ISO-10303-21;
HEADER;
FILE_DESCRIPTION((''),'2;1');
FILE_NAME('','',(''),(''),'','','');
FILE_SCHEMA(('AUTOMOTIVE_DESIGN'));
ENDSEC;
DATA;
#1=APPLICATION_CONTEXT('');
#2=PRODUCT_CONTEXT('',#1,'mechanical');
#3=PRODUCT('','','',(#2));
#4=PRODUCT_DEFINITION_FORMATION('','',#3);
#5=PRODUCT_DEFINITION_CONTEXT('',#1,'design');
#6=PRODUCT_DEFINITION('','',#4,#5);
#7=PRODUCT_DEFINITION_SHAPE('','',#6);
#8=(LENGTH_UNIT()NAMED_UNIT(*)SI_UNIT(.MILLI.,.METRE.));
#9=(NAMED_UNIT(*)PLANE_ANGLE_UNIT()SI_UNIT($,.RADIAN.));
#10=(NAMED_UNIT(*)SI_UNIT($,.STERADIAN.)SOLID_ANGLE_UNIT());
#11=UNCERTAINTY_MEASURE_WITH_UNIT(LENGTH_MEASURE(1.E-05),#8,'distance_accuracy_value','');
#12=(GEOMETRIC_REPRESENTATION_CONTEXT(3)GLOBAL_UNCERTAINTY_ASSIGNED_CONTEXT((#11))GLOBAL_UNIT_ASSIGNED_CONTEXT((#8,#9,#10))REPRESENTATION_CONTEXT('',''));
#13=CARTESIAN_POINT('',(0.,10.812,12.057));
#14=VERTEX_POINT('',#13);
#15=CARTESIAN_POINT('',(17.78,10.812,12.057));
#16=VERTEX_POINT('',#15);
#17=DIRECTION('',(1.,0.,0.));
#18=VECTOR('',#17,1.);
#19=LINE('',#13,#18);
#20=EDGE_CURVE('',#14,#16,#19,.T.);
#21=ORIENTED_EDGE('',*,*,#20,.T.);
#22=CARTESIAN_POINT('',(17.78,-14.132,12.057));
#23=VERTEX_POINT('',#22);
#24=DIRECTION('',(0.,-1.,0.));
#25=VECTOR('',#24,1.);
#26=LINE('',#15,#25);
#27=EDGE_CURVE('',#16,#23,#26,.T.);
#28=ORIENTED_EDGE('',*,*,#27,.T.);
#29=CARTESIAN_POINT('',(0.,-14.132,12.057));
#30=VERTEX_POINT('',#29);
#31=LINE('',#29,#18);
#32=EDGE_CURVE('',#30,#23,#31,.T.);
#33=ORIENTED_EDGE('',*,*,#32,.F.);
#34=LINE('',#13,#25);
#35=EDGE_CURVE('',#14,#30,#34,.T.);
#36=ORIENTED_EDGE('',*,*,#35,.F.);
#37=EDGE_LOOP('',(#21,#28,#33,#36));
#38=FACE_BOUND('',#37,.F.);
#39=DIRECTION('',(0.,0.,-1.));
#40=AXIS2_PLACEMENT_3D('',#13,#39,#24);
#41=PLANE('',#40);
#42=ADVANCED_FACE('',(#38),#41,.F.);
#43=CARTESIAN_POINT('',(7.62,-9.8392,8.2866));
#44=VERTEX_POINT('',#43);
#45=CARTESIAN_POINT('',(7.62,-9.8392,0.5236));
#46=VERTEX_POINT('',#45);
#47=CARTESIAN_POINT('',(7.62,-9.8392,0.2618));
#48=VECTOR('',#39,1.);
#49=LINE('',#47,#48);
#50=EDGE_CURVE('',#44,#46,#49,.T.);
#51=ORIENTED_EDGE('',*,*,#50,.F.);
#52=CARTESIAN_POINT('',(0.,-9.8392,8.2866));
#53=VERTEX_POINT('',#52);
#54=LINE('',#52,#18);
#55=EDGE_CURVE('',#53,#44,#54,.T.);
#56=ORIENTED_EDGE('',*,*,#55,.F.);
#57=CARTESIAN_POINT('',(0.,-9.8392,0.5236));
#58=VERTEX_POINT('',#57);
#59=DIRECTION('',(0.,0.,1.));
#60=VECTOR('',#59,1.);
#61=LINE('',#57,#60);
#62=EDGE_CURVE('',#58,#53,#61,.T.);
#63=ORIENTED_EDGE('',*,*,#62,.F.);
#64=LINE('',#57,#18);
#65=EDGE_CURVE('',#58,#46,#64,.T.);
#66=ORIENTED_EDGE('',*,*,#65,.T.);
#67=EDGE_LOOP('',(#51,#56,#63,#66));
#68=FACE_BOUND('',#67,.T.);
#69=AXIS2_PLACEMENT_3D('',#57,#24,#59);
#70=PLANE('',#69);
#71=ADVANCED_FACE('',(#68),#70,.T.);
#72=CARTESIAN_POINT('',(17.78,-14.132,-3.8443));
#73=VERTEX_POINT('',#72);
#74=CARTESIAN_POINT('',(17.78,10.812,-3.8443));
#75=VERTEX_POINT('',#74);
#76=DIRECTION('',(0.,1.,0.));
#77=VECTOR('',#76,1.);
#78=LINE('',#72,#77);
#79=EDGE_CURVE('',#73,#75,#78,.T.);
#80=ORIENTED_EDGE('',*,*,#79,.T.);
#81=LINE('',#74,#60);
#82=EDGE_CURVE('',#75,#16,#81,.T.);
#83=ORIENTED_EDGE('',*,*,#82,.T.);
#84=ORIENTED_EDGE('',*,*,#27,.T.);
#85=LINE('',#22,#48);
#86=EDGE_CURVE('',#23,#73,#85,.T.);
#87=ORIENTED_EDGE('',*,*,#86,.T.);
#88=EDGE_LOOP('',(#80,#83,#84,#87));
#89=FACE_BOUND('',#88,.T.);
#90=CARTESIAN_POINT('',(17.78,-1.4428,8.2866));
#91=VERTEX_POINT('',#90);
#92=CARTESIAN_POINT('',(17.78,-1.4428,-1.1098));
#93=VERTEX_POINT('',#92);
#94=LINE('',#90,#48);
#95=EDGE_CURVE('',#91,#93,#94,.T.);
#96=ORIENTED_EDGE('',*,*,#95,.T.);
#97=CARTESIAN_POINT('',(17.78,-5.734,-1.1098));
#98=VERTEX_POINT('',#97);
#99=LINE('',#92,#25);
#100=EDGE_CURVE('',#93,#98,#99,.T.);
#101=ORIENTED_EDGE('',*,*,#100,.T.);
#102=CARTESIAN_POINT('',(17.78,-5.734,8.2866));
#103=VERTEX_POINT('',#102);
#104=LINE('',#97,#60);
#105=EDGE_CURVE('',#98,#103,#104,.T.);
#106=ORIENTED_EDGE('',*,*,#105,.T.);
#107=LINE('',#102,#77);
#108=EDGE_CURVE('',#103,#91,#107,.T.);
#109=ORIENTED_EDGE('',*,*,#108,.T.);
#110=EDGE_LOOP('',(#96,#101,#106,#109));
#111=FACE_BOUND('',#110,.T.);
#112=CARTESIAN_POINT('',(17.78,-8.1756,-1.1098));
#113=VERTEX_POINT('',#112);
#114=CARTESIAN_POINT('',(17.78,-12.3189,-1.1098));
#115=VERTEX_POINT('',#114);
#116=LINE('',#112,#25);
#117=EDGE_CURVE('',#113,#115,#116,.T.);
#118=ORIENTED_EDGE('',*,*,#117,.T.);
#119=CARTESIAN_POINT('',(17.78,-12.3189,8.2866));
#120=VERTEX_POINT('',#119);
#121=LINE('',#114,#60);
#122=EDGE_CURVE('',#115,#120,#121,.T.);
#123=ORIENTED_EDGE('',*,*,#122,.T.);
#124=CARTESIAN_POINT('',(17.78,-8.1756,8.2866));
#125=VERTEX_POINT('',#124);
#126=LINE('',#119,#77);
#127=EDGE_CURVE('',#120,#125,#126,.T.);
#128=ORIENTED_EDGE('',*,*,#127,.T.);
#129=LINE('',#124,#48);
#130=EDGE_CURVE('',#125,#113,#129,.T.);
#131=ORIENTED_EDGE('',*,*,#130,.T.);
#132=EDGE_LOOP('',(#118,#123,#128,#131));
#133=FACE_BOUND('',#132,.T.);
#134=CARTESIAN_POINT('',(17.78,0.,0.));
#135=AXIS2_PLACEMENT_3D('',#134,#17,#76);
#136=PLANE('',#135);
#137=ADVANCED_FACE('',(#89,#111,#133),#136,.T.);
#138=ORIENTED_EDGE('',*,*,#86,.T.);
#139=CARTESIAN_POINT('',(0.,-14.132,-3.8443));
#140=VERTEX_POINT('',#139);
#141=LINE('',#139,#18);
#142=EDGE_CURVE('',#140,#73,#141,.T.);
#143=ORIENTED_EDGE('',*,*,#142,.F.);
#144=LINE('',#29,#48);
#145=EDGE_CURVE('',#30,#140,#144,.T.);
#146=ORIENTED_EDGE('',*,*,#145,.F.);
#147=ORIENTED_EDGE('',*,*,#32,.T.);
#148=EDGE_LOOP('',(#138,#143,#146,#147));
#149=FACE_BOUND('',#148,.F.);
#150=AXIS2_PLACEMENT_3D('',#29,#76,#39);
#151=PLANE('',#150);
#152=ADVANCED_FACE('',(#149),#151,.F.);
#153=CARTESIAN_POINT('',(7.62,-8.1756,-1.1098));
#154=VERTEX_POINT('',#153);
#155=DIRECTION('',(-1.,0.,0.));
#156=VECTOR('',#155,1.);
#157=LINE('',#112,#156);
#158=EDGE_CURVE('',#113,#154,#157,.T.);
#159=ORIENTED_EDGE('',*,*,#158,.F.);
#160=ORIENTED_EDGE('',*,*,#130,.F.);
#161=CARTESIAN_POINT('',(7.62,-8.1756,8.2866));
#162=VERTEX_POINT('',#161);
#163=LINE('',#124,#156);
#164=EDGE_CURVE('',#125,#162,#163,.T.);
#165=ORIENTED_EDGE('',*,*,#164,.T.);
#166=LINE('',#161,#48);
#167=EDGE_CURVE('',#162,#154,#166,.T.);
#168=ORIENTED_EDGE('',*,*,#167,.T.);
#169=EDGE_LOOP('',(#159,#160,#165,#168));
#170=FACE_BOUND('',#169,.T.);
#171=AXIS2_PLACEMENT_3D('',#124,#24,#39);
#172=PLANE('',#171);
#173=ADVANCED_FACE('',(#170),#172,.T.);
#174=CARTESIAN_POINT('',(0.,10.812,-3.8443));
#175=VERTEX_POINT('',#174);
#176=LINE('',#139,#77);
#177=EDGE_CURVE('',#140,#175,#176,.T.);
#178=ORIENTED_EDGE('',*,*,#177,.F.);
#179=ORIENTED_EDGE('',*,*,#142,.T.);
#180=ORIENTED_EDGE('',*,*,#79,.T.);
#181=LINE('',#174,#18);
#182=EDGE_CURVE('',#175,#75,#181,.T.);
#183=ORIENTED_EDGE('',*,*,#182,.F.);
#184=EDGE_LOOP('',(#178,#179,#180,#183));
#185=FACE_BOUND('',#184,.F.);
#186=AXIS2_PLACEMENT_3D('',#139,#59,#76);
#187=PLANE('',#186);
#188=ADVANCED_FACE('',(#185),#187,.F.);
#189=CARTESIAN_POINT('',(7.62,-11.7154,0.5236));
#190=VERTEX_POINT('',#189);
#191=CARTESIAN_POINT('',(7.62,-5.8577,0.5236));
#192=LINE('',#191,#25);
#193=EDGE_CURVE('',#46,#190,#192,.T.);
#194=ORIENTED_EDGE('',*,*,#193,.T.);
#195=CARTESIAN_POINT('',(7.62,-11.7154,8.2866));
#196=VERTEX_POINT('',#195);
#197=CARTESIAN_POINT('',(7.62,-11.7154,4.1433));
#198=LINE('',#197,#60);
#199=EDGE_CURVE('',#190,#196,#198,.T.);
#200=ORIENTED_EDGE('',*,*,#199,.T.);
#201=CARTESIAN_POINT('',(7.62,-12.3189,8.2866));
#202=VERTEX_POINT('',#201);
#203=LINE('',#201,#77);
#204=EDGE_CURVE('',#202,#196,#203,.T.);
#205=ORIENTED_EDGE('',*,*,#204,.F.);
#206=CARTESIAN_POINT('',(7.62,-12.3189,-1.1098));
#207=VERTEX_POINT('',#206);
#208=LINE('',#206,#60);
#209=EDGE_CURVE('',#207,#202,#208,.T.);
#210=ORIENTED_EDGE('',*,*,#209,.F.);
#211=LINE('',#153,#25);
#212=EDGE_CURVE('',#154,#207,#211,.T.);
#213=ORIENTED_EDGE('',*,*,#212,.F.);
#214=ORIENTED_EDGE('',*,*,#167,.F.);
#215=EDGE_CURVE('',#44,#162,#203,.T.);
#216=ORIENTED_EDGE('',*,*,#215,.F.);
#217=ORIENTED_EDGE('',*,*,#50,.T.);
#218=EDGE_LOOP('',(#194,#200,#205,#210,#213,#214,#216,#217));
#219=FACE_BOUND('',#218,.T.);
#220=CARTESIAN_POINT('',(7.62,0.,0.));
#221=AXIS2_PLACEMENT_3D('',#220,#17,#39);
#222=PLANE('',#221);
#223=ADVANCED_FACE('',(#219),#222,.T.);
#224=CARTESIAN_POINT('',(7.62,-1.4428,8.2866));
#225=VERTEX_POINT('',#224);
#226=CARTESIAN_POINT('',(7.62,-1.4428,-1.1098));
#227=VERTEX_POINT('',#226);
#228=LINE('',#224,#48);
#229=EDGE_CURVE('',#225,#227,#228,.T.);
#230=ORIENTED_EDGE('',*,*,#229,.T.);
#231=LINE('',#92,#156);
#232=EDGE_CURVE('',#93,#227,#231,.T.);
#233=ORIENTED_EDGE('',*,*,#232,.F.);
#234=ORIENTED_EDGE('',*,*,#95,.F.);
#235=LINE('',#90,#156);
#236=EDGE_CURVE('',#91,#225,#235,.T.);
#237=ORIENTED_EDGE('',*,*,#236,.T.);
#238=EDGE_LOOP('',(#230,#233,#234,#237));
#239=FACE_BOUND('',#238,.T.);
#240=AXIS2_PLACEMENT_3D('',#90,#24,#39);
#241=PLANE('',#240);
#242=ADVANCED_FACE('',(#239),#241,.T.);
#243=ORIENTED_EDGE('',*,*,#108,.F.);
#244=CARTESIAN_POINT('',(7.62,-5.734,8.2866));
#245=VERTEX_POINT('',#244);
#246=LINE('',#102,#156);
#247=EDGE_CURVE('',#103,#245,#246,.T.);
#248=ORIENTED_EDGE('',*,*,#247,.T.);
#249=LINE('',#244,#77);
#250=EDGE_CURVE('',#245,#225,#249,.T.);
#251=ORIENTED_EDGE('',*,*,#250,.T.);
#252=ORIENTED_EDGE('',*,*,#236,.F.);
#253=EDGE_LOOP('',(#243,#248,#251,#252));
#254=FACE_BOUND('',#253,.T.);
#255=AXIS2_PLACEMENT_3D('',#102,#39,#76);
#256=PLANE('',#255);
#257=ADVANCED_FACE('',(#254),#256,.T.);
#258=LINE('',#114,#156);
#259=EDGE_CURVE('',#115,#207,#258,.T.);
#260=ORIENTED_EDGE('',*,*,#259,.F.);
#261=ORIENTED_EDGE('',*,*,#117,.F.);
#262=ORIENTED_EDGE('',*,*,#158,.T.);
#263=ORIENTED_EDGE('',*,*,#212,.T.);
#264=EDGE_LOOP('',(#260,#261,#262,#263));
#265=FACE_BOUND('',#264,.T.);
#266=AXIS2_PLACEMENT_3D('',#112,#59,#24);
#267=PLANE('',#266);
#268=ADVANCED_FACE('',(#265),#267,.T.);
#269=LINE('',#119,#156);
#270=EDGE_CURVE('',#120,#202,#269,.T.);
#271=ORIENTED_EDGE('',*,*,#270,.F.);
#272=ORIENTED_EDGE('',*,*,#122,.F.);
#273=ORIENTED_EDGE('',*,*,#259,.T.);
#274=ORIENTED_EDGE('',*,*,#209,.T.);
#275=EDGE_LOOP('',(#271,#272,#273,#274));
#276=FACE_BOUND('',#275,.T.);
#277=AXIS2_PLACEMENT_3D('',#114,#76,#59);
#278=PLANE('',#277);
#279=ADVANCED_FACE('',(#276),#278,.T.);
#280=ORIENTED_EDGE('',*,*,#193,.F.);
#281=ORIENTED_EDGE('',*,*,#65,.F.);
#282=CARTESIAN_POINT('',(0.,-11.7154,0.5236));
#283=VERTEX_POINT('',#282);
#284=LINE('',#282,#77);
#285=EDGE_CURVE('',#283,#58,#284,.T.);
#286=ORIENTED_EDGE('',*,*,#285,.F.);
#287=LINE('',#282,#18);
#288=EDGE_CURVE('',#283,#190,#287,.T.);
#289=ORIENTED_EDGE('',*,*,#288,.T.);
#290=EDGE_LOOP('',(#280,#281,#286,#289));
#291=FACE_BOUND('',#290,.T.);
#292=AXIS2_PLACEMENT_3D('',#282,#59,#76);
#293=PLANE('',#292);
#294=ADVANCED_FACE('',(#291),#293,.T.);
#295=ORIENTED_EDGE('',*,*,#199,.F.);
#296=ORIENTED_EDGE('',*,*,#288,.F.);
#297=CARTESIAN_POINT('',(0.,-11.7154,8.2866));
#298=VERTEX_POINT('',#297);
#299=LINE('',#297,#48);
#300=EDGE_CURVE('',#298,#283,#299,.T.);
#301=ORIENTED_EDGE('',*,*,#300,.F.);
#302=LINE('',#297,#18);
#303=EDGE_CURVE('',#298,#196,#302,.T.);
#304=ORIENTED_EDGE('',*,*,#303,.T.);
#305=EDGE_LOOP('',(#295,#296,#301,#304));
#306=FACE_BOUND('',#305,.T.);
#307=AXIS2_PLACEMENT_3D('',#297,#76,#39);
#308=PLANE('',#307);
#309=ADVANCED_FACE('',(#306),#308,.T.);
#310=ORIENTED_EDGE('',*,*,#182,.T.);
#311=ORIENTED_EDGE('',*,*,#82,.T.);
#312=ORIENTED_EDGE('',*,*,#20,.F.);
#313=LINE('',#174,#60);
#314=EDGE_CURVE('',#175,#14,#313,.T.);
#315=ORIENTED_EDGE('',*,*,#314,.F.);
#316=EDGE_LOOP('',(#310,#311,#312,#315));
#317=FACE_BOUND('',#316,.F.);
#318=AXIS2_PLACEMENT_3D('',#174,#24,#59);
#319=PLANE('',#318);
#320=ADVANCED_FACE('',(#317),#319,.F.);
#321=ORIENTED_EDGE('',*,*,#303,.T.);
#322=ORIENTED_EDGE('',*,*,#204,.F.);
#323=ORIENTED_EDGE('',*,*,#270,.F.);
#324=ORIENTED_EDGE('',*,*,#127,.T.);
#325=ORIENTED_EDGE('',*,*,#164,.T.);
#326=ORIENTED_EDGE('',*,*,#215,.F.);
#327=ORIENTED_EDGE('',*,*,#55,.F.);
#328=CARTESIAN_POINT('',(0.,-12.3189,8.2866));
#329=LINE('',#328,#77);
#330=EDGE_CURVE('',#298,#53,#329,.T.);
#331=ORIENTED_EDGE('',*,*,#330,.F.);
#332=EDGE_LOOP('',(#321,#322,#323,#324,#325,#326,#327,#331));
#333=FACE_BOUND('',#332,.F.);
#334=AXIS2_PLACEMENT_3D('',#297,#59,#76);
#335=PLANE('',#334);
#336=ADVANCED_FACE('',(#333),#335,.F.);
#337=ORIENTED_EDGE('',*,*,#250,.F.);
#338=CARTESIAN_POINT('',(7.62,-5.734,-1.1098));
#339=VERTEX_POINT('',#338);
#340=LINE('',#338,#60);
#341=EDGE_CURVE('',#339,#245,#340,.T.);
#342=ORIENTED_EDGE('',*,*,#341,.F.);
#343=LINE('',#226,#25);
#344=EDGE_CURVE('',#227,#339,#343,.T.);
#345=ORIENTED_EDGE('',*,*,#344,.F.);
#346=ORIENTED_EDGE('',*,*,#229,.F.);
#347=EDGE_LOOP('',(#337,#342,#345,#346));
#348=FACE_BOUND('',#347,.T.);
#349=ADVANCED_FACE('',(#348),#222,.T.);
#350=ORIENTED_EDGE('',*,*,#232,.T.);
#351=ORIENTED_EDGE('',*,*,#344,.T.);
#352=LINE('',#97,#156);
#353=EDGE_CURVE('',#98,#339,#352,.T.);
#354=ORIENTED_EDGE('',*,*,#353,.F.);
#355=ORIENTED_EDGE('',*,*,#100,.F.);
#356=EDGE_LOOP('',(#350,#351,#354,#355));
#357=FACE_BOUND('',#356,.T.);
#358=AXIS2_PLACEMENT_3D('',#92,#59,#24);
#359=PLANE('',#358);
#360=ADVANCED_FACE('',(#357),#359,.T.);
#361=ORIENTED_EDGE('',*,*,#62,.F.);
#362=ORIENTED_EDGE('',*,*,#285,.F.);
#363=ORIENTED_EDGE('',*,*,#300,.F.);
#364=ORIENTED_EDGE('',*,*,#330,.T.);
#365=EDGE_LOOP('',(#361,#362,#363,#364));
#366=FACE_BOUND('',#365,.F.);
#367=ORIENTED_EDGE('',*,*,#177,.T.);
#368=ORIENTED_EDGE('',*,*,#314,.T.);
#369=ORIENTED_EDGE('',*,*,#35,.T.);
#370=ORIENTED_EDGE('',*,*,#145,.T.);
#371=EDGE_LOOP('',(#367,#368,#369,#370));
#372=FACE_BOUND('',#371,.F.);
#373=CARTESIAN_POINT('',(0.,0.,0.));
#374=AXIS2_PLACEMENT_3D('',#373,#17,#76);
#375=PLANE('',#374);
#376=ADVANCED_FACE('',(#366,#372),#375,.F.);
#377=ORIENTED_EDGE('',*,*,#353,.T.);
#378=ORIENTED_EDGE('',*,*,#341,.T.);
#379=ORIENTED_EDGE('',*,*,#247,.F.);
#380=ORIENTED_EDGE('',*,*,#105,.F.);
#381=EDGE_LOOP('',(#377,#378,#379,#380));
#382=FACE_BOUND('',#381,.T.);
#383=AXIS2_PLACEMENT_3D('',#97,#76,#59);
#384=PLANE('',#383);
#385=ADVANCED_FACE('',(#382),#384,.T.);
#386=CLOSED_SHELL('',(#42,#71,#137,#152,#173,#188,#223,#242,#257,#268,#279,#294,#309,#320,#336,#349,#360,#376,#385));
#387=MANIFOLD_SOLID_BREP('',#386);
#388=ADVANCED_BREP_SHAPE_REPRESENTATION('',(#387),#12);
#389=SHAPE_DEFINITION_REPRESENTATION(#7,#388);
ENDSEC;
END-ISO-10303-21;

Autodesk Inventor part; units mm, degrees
ref_plane "YZ Plane" through (0, 0, 0) normal (1, 0, 0) x (0, 1, 0)
ref_plane "XZ Plane" through (0, 0, 0) normal (0, 1, 0) x (-1, 0, 0)
ref_plane "XY Plane" through (0, 0, 0) normal (0, 0, 1) x (1, 0, 0)
sketch "Sketch1" plane through (0, 0, 0) normal (1, 0, 0) x (0, 1, 0)
  line L0 (10.812, 12.057) -> (-14.132, 12.057)
  line L1 (-14.132, 12.057) -> (-14.132, -3.8443)
  line L2 (-14.132, -3.8443) -> (10.812, -3.8443)
  line L3 (10.812, -3.8443) -> (10.812, 12.057)
  point P0 (0, 0)
extrude "Extrusion1" add sketch "Sketch1" along normal blind 17.78
sketch "Sketch2" plane through (17.78, 0, 0) normal (1, 0, 0) x (0, 0, -1)
  line L0 (-8.2866, -8.1756) -> (1.1098, -8.1756)
  line L1 (1.1098, -8.1756) -> (1.1098, -12.3189)
  line L2 (1.1098, -12.3189) -> (-8.2866, -12.3189)
  line L3 (-8.2866, -12.3189) -> (-8.2866, -8.1756)
  line L4 (-8.2866, -1.4428) -> (1.1098, -1.4428)
  line L5 (1.1098, -1.4428) -> (1.1098, -5.734)
  line L6 (1.1098, -5.734) -> (-8.2866, -5.734)
  line L7 (-8.2866, -5.734) -> (-8.2866, -1.4428)
  point P0 (0, 0)
extrude "Extrusion2" cut sketch "Sketch2" against normal blind 10.16
sketch "Sketch3" plane through (0, 0, 0) normal (-1, 0, 0) x (0, 0, 1)
  line L0 (8.2866, -12.3189) -> (8.2866, -8.1756) projected
  line L1 (0.5236, -9.8392) -> (8.2866, -9.8392)
  line L2 (8.2866, -9.8392) -> (8.2866, -11.7154)
  line L3 (8.2866, -11.7154) -> (0.5236, -11.7154)
  line L4 (0.5236, -11.7154) -> (0.5236, -9.8392)
  point P0 (0, 0)
extrude "Extrusion3" cut sketch "Sketch3" against normal blind 25.4
